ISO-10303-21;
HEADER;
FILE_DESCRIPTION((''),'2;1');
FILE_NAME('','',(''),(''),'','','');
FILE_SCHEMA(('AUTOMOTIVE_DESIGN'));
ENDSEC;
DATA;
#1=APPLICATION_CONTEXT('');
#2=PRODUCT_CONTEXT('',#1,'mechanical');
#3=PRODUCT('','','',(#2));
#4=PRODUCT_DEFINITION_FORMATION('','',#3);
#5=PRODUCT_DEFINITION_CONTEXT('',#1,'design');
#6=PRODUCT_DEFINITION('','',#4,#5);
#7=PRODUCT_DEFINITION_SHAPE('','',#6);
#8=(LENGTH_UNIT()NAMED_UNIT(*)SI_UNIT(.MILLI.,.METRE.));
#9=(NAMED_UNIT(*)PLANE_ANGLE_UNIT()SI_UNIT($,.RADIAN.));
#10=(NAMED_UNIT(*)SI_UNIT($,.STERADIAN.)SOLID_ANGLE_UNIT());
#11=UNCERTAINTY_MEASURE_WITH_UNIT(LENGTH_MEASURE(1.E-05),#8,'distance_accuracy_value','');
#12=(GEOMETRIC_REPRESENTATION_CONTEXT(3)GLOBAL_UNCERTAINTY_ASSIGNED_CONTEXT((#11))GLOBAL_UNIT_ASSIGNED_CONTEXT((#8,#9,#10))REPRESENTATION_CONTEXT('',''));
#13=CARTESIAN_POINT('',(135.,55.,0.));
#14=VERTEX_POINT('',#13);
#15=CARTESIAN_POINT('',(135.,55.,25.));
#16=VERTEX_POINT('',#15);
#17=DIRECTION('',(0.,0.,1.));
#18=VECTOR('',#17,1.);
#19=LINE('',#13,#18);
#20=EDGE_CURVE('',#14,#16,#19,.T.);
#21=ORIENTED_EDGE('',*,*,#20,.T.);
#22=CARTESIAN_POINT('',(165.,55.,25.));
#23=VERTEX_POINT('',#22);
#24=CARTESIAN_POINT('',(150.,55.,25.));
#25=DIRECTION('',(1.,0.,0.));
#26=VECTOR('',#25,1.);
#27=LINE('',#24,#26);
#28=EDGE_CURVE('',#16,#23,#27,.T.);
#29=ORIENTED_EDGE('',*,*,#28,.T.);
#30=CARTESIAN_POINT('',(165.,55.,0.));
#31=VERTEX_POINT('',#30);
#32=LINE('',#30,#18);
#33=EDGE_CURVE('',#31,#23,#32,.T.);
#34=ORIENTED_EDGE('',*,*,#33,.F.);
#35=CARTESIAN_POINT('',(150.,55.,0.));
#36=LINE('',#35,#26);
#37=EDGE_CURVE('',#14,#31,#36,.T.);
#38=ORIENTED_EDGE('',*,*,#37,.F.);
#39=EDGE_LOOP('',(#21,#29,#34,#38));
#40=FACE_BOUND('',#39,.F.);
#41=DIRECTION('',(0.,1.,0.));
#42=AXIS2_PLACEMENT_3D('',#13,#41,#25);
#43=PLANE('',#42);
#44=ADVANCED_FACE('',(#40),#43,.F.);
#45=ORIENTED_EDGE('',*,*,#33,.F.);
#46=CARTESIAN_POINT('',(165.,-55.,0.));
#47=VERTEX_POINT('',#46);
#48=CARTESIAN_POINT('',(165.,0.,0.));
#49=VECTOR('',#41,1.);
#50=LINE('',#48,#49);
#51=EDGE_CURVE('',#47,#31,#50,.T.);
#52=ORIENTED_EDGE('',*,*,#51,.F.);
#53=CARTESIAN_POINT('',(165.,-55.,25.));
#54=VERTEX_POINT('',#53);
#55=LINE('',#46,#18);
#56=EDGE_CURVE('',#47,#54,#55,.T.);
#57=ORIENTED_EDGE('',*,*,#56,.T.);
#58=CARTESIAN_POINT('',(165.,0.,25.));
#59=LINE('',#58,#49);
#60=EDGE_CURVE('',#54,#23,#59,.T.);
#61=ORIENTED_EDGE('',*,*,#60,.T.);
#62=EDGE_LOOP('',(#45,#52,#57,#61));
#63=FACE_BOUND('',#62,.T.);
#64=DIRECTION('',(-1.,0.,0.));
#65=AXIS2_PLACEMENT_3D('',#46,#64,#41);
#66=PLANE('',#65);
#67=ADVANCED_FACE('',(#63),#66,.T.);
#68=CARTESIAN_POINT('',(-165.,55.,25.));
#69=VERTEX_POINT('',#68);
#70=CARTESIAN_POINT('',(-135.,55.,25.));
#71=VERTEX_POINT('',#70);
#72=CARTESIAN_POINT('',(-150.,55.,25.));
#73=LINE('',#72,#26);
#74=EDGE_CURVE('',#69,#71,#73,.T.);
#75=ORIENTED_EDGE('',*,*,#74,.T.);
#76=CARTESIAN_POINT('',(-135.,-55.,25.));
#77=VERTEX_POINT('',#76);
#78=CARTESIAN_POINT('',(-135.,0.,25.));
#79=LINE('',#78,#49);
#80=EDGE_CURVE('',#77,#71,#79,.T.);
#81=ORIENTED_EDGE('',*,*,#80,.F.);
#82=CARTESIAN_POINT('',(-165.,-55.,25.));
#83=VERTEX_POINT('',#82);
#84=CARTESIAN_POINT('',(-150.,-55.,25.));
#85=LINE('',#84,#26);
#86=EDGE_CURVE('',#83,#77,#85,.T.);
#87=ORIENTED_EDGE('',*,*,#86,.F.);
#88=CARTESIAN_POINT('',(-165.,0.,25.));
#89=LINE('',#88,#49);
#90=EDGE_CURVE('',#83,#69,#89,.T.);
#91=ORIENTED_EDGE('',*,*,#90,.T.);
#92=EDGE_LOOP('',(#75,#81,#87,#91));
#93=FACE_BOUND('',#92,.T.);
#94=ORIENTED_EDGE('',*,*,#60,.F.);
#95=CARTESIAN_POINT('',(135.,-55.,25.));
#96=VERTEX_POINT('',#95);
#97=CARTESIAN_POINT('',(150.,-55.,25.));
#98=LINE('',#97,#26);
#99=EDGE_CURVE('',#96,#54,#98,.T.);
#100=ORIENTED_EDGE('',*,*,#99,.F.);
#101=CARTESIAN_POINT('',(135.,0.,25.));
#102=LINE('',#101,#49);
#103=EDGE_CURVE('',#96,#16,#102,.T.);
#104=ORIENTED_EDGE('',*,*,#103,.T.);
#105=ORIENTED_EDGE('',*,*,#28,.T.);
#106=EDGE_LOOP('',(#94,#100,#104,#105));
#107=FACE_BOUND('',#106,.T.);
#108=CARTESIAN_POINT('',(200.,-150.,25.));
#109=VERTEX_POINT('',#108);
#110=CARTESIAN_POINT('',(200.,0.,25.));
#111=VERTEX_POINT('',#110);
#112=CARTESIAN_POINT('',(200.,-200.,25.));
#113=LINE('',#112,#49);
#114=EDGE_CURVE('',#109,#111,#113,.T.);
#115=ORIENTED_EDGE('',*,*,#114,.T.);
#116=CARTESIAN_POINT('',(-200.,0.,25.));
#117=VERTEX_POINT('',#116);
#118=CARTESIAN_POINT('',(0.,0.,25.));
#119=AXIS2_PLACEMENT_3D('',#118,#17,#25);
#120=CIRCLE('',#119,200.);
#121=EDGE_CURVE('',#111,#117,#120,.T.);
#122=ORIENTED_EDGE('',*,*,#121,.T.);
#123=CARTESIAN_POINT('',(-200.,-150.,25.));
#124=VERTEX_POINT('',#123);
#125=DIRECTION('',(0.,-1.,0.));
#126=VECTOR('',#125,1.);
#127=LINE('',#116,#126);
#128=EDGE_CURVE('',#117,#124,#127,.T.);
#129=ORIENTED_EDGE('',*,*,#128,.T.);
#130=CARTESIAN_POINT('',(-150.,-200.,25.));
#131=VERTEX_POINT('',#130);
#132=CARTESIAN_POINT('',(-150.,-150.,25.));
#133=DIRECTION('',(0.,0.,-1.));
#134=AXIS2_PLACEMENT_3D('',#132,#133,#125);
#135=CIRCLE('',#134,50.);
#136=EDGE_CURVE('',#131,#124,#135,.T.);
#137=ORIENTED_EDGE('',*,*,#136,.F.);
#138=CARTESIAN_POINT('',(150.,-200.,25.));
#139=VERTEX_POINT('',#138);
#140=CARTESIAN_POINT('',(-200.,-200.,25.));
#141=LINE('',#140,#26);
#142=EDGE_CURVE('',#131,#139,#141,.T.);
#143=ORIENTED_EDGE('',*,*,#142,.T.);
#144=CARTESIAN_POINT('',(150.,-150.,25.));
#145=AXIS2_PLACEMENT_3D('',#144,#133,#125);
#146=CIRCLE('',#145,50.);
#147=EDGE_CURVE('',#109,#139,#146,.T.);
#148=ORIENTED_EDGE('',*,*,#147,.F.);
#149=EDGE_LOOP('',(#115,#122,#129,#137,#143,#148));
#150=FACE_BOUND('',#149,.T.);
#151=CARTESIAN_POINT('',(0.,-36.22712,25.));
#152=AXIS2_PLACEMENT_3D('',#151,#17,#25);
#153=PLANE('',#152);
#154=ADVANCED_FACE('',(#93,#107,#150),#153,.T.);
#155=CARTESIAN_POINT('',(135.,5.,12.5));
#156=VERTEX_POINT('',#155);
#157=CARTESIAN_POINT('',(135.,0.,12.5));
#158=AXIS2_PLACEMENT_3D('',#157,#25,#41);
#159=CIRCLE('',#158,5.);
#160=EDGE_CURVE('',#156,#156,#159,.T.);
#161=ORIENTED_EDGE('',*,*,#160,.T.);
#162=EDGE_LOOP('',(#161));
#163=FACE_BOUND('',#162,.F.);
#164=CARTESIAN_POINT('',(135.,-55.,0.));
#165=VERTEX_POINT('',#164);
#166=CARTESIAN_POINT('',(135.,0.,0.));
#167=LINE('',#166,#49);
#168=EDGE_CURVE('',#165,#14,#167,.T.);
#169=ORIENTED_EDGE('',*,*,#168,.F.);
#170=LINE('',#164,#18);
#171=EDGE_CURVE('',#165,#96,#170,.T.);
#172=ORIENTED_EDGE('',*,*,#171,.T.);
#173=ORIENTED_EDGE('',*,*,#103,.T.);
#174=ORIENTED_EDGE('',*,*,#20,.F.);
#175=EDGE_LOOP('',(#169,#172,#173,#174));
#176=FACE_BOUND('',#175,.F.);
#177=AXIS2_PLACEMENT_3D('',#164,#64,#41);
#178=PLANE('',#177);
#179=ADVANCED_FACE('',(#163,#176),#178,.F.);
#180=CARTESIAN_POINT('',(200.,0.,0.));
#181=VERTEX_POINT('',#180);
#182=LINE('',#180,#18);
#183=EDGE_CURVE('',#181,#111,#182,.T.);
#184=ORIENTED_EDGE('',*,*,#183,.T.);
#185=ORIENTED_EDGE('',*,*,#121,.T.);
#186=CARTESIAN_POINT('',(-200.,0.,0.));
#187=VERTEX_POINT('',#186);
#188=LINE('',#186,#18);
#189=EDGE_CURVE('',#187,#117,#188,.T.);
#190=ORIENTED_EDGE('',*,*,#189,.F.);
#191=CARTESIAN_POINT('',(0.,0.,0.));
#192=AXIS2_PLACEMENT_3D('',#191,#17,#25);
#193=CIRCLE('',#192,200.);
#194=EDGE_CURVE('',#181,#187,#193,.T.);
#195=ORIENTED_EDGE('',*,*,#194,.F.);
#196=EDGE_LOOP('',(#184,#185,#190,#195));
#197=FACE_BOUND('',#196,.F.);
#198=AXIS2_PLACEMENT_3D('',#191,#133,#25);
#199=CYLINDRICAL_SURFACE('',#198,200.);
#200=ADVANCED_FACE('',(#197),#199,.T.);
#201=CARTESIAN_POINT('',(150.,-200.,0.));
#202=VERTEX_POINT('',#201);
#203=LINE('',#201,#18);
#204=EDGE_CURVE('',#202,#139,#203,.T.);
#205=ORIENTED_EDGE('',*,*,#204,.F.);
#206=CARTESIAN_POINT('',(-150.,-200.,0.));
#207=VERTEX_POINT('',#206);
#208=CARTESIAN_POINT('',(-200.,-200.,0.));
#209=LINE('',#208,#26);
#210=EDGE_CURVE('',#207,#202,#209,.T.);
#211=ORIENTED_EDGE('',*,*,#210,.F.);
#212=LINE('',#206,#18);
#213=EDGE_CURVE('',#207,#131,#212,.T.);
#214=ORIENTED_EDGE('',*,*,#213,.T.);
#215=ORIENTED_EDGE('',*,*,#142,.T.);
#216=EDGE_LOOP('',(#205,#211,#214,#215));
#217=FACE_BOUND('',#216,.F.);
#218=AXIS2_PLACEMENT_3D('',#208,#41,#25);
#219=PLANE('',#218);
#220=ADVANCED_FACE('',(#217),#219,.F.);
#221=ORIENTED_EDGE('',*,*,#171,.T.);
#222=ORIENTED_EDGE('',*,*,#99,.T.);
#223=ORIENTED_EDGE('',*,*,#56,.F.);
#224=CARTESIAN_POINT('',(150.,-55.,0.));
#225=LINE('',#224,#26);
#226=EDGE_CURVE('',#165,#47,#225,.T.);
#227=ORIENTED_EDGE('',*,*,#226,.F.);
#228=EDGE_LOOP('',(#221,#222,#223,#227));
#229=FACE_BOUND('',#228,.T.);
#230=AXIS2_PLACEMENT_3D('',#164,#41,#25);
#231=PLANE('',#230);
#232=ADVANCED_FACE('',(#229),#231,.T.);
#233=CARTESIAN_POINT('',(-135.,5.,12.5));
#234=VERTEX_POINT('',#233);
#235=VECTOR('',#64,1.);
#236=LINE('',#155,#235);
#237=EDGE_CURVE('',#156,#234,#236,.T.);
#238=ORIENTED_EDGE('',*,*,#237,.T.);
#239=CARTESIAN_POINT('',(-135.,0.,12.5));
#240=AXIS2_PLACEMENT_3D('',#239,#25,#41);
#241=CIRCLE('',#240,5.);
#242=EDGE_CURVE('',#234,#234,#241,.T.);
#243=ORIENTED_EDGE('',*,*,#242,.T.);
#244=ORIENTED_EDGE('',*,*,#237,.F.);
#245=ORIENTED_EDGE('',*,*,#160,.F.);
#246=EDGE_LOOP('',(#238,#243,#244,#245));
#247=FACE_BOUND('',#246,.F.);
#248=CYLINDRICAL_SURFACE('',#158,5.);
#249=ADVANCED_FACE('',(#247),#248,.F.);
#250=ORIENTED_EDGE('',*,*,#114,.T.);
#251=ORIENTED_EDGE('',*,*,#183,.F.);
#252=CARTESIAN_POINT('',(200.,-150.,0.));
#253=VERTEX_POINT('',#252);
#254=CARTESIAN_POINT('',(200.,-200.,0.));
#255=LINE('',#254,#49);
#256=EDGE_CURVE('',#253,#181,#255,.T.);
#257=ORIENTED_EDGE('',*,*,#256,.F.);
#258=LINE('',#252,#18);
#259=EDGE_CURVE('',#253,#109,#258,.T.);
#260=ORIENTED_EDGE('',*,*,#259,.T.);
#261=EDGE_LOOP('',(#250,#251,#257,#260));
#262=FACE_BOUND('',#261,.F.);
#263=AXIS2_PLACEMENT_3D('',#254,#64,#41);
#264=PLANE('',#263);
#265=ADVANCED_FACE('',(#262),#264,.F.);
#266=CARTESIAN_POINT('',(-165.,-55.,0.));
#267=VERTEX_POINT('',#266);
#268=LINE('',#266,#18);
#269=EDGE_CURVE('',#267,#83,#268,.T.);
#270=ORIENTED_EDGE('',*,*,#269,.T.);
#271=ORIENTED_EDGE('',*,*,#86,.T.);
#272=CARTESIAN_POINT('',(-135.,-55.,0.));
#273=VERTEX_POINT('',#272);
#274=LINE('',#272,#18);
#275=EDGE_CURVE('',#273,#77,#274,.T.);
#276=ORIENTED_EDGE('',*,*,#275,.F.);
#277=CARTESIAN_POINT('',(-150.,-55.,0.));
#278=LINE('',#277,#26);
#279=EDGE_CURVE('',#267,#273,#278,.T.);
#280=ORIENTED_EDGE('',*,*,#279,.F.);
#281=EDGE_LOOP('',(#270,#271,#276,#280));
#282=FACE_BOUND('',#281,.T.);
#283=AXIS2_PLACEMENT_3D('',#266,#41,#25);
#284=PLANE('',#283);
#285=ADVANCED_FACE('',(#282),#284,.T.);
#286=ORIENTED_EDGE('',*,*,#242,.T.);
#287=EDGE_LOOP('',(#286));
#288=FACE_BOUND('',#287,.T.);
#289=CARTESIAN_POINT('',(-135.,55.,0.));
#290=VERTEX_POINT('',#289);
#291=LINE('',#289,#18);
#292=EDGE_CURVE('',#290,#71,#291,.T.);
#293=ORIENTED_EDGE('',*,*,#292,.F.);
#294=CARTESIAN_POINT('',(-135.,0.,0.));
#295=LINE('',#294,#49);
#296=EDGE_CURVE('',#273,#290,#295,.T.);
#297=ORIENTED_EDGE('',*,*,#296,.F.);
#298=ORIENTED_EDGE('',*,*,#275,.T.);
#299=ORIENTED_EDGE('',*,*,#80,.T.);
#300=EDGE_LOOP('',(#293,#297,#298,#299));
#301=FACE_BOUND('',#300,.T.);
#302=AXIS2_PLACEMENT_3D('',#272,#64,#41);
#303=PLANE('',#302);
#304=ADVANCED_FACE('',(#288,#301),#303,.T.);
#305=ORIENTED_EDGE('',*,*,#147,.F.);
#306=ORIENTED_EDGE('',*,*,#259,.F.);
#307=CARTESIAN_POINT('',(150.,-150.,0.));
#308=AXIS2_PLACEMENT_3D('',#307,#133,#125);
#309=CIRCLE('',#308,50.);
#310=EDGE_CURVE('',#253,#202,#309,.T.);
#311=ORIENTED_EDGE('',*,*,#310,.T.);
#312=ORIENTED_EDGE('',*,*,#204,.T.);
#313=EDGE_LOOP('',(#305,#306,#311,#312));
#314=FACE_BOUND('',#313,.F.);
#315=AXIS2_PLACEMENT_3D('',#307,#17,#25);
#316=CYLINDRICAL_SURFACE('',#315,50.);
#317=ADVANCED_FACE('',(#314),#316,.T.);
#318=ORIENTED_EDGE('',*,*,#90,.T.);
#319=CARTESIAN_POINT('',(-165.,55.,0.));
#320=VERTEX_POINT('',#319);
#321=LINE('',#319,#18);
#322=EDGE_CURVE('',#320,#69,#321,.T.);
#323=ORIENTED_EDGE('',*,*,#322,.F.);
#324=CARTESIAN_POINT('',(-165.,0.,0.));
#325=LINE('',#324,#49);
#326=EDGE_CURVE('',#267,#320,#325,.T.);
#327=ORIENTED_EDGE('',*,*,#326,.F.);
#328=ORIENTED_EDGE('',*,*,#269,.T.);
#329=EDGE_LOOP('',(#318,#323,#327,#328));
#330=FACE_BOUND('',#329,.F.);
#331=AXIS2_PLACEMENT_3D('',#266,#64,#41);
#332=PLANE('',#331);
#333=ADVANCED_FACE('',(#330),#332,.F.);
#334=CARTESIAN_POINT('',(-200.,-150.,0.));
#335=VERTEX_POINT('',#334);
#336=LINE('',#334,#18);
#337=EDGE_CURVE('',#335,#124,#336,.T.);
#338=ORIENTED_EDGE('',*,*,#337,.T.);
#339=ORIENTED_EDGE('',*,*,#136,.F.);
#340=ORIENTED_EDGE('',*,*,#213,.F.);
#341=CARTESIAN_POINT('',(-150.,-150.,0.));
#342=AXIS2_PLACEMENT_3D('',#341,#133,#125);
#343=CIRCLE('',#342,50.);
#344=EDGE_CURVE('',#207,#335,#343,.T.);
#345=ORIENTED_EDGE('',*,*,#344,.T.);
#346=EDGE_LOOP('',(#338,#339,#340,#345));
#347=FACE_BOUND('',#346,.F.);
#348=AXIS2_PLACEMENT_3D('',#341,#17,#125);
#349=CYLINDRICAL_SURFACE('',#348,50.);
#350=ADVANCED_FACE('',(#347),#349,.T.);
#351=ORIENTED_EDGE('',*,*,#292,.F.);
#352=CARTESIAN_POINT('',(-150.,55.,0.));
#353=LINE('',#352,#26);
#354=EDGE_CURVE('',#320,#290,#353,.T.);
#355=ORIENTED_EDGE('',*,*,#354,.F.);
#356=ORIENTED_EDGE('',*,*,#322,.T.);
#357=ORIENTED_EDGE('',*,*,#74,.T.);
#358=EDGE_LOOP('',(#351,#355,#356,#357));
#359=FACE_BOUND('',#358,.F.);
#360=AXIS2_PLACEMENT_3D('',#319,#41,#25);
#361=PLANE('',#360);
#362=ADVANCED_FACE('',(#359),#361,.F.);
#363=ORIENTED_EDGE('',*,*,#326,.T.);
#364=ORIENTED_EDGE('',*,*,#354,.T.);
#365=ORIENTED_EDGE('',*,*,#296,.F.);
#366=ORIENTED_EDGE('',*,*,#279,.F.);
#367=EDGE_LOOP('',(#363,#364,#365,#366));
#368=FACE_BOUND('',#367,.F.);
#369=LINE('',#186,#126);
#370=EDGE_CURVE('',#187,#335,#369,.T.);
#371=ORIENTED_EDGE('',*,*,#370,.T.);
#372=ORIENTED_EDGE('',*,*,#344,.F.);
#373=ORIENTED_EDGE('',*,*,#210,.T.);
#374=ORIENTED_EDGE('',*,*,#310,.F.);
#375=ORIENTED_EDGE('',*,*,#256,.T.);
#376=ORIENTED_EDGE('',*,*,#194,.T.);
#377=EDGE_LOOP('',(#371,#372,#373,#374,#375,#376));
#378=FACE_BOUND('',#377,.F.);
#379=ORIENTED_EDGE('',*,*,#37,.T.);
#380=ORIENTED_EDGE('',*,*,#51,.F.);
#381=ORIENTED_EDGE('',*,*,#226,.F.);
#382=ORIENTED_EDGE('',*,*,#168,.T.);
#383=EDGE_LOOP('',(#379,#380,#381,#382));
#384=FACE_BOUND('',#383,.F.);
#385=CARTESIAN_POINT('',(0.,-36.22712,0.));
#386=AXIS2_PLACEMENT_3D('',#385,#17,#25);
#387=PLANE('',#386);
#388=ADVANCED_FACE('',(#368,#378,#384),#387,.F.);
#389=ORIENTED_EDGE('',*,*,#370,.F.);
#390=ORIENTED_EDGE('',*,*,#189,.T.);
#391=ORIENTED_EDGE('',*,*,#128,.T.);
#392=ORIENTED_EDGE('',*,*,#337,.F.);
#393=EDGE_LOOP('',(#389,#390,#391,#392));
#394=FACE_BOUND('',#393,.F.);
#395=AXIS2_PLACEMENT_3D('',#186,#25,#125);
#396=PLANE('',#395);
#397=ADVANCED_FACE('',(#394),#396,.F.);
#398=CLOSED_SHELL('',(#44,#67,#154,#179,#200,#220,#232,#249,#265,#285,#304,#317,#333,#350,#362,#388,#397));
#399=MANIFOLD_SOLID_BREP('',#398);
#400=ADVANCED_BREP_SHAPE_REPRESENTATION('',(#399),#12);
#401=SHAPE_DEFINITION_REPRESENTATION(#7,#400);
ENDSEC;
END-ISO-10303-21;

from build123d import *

# Parameters (mm, degrees)
F0_W     = 30
F0_H     = 110
F1_DEPTH = 25
F2_R     = 50
F3_R     = 5
F4_DEPTH = 270


with BuildPart() as f1:
    # F0 (on Top) → F1 (new body)
    with BuildSketch(Plane.XY):
        with BuildLine():
            Line((200, -200), (200, 0))
            ThreePointArc((200, 0), (0, 200), (-200, 0))
            Line((-200, 0), (-200, -200))
            Line((-200, -200), (200, -200))
        make_face()
        with Locations((-150, 0)):
            Rectangle(F0_W, F0_H, mode=Mode.SUBTRACT)
        with Locations((150, 0)):
            Rectangle(F0_W, F0_H, mode=Mode.SUBTRACT)
    extrude(amount=F1_DEPTH)

    # F2
    f2_edges = [f1.edges().sort_by_distance(p)[0] for p in [
        (200, -200, 12.5),
        (-200, -200, 12.5),
    ]]
    fillet(f2_edges, radius=F2_R)

    # F3 (on face) → F4 (cut, through all)
    with BuildSketch(Plane.YZ.offset(135)):
        with Locations((0, 12.5)):
            Circle(F3_R)
    extrude(amount=-F4_DEPTH, mode=Mode.SUBTRACT)


solid = f1.part
